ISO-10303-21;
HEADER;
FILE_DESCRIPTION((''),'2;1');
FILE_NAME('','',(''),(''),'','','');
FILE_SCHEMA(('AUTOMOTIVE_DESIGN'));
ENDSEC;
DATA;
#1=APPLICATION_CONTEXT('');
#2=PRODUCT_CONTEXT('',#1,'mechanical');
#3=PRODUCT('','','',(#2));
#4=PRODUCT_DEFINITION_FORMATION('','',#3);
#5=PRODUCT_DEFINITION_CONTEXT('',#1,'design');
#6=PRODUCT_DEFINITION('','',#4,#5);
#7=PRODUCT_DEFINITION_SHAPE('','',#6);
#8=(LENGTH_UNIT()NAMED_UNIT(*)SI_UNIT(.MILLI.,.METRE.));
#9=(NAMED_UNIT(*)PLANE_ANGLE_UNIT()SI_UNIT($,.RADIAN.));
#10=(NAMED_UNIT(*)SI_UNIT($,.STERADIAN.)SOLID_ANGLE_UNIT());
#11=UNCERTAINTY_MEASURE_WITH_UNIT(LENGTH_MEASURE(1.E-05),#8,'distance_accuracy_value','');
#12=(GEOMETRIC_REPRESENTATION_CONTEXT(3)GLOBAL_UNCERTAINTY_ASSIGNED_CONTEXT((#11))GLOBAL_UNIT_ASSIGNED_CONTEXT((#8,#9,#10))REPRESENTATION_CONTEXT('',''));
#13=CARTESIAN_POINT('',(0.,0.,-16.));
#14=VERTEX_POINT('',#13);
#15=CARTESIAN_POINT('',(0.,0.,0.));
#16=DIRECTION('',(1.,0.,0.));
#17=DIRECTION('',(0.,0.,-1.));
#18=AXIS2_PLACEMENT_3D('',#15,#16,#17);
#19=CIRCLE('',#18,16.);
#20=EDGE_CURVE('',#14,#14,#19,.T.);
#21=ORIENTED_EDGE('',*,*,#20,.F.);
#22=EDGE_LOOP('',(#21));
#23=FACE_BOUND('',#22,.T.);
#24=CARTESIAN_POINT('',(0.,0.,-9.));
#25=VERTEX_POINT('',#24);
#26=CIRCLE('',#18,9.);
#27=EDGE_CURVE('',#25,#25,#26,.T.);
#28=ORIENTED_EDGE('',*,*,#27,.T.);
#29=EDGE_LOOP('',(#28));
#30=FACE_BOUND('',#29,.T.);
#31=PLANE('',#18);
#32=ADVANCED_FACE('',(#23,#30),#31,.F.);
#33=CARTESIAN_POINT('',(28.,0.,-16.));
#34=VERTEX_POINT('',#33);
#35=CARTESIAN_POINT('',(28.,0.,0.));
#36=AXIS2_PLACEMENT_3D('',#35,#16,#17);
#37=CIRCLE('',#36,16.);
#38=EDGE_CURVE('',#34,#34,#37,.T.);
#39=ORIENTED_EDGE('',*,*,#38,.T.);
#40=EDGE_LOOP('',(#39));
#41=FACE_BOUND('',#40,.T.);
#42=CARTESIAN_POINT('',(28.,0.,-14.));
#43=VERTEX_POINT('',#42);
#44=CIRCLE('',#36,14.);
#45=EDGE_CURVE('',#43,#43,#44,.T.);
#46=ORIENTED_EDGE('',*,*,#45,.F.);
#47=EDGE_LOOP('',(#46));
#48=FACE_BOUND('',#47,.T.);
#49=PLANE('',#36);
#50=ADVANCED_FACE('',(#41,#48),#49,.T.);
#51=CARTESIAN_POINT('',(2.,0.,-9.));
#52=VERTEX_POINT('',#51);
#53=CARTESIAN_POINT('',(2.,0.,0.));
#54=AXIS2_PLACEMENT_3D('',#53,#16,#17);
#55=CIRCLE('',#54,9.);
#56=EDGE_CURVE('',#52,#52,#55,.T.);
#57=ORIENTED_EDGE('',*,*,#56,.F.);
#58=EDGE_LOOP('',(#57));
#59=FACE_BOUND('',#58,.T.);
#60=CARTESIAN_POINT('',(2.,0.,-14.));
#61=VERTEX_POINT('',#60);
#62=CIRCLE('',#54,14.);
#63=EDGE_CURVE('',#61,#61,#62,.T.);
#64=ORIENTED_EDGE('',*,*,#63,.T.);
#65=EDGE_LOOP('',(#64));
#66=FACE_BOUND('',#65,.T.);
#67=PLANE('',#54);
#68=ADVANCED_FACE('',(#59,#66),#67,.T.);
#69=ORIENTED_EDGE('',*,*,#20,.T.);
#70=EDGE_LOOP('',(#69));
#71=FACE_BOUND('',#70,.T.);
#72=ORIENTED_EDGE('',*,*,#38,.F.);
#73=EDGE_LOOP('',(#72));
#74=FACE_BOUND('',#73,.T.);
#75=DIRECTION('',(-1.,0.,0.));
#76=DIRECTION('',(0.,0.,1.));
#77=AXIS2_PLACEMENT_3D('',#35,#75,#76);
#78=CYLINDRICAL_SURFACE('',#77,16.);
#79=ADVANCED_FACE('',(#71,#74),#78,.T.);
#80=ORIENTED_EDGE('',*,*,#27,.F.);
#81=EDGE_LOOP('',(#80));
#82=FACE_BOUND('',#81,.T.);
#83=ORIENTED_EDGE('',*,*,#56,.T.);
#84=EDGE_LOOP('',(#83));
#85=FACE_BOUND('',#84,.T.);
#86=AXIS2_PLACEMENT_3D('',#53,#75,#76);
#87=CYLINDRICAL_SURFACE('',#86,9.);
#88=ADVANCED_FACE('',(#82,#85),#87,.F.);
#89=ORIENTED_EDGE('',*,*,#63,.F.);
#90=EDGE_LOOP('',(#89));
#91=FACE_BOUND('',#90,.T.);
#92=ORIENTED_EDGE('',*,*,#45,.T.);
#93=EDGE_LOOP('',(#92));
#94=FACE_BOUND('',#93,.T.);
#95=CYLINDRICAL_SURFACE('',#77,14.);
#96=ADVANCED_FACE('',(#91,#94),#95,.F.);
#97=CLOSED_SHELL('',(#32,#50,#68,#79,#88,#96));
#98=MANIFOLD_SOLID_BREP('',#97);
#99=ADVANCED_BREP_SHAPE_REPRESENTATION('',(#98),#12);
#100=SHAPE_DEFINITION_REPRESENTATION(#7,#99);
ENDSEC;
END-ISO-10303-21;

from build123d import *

# Parameters (mm, degrees)
CROQUIS1_R              = 16
CROQUIS1_R_2            = 14
SALIENTE_EXTRUIR1_DEPTH = 28
CROQUIS2_R              = 14
CROQUIS2_R_2            = 9
SALIENTE_EXTRUIR2_DEPTH = 2


with BuildPart() as part:
    # Croquis1 → Saliente-Extruir1 (new body)
    with BuildSketch(Plane(origin=(0, 0, 0), x_dir=(0, 0, -1), z_dir=(1, 0, 0))):
        Circle(CROQUIS1_R)
        Circle(CROQUIS1_R_2, mode=Mode.SUBTRACT)
    extrude(amount=SALIENTE_EXTRUIR1_DEPTH)

    # Croquis2 → Saliente-Extruir2 (add)
    with BuildSketch(Plane(origin=(0, 0, 0), x_dir=(0, 0, -1), z_dir=(1, 0, 0))):
        Circle(CROQUIS2_R)
        Circle(CROQUIS2_R_2, mode=Mode.SUBTRACT)
    extrude(amount=SALIENTE_EXTRUIR2_DEPTH)


solid = part.part
